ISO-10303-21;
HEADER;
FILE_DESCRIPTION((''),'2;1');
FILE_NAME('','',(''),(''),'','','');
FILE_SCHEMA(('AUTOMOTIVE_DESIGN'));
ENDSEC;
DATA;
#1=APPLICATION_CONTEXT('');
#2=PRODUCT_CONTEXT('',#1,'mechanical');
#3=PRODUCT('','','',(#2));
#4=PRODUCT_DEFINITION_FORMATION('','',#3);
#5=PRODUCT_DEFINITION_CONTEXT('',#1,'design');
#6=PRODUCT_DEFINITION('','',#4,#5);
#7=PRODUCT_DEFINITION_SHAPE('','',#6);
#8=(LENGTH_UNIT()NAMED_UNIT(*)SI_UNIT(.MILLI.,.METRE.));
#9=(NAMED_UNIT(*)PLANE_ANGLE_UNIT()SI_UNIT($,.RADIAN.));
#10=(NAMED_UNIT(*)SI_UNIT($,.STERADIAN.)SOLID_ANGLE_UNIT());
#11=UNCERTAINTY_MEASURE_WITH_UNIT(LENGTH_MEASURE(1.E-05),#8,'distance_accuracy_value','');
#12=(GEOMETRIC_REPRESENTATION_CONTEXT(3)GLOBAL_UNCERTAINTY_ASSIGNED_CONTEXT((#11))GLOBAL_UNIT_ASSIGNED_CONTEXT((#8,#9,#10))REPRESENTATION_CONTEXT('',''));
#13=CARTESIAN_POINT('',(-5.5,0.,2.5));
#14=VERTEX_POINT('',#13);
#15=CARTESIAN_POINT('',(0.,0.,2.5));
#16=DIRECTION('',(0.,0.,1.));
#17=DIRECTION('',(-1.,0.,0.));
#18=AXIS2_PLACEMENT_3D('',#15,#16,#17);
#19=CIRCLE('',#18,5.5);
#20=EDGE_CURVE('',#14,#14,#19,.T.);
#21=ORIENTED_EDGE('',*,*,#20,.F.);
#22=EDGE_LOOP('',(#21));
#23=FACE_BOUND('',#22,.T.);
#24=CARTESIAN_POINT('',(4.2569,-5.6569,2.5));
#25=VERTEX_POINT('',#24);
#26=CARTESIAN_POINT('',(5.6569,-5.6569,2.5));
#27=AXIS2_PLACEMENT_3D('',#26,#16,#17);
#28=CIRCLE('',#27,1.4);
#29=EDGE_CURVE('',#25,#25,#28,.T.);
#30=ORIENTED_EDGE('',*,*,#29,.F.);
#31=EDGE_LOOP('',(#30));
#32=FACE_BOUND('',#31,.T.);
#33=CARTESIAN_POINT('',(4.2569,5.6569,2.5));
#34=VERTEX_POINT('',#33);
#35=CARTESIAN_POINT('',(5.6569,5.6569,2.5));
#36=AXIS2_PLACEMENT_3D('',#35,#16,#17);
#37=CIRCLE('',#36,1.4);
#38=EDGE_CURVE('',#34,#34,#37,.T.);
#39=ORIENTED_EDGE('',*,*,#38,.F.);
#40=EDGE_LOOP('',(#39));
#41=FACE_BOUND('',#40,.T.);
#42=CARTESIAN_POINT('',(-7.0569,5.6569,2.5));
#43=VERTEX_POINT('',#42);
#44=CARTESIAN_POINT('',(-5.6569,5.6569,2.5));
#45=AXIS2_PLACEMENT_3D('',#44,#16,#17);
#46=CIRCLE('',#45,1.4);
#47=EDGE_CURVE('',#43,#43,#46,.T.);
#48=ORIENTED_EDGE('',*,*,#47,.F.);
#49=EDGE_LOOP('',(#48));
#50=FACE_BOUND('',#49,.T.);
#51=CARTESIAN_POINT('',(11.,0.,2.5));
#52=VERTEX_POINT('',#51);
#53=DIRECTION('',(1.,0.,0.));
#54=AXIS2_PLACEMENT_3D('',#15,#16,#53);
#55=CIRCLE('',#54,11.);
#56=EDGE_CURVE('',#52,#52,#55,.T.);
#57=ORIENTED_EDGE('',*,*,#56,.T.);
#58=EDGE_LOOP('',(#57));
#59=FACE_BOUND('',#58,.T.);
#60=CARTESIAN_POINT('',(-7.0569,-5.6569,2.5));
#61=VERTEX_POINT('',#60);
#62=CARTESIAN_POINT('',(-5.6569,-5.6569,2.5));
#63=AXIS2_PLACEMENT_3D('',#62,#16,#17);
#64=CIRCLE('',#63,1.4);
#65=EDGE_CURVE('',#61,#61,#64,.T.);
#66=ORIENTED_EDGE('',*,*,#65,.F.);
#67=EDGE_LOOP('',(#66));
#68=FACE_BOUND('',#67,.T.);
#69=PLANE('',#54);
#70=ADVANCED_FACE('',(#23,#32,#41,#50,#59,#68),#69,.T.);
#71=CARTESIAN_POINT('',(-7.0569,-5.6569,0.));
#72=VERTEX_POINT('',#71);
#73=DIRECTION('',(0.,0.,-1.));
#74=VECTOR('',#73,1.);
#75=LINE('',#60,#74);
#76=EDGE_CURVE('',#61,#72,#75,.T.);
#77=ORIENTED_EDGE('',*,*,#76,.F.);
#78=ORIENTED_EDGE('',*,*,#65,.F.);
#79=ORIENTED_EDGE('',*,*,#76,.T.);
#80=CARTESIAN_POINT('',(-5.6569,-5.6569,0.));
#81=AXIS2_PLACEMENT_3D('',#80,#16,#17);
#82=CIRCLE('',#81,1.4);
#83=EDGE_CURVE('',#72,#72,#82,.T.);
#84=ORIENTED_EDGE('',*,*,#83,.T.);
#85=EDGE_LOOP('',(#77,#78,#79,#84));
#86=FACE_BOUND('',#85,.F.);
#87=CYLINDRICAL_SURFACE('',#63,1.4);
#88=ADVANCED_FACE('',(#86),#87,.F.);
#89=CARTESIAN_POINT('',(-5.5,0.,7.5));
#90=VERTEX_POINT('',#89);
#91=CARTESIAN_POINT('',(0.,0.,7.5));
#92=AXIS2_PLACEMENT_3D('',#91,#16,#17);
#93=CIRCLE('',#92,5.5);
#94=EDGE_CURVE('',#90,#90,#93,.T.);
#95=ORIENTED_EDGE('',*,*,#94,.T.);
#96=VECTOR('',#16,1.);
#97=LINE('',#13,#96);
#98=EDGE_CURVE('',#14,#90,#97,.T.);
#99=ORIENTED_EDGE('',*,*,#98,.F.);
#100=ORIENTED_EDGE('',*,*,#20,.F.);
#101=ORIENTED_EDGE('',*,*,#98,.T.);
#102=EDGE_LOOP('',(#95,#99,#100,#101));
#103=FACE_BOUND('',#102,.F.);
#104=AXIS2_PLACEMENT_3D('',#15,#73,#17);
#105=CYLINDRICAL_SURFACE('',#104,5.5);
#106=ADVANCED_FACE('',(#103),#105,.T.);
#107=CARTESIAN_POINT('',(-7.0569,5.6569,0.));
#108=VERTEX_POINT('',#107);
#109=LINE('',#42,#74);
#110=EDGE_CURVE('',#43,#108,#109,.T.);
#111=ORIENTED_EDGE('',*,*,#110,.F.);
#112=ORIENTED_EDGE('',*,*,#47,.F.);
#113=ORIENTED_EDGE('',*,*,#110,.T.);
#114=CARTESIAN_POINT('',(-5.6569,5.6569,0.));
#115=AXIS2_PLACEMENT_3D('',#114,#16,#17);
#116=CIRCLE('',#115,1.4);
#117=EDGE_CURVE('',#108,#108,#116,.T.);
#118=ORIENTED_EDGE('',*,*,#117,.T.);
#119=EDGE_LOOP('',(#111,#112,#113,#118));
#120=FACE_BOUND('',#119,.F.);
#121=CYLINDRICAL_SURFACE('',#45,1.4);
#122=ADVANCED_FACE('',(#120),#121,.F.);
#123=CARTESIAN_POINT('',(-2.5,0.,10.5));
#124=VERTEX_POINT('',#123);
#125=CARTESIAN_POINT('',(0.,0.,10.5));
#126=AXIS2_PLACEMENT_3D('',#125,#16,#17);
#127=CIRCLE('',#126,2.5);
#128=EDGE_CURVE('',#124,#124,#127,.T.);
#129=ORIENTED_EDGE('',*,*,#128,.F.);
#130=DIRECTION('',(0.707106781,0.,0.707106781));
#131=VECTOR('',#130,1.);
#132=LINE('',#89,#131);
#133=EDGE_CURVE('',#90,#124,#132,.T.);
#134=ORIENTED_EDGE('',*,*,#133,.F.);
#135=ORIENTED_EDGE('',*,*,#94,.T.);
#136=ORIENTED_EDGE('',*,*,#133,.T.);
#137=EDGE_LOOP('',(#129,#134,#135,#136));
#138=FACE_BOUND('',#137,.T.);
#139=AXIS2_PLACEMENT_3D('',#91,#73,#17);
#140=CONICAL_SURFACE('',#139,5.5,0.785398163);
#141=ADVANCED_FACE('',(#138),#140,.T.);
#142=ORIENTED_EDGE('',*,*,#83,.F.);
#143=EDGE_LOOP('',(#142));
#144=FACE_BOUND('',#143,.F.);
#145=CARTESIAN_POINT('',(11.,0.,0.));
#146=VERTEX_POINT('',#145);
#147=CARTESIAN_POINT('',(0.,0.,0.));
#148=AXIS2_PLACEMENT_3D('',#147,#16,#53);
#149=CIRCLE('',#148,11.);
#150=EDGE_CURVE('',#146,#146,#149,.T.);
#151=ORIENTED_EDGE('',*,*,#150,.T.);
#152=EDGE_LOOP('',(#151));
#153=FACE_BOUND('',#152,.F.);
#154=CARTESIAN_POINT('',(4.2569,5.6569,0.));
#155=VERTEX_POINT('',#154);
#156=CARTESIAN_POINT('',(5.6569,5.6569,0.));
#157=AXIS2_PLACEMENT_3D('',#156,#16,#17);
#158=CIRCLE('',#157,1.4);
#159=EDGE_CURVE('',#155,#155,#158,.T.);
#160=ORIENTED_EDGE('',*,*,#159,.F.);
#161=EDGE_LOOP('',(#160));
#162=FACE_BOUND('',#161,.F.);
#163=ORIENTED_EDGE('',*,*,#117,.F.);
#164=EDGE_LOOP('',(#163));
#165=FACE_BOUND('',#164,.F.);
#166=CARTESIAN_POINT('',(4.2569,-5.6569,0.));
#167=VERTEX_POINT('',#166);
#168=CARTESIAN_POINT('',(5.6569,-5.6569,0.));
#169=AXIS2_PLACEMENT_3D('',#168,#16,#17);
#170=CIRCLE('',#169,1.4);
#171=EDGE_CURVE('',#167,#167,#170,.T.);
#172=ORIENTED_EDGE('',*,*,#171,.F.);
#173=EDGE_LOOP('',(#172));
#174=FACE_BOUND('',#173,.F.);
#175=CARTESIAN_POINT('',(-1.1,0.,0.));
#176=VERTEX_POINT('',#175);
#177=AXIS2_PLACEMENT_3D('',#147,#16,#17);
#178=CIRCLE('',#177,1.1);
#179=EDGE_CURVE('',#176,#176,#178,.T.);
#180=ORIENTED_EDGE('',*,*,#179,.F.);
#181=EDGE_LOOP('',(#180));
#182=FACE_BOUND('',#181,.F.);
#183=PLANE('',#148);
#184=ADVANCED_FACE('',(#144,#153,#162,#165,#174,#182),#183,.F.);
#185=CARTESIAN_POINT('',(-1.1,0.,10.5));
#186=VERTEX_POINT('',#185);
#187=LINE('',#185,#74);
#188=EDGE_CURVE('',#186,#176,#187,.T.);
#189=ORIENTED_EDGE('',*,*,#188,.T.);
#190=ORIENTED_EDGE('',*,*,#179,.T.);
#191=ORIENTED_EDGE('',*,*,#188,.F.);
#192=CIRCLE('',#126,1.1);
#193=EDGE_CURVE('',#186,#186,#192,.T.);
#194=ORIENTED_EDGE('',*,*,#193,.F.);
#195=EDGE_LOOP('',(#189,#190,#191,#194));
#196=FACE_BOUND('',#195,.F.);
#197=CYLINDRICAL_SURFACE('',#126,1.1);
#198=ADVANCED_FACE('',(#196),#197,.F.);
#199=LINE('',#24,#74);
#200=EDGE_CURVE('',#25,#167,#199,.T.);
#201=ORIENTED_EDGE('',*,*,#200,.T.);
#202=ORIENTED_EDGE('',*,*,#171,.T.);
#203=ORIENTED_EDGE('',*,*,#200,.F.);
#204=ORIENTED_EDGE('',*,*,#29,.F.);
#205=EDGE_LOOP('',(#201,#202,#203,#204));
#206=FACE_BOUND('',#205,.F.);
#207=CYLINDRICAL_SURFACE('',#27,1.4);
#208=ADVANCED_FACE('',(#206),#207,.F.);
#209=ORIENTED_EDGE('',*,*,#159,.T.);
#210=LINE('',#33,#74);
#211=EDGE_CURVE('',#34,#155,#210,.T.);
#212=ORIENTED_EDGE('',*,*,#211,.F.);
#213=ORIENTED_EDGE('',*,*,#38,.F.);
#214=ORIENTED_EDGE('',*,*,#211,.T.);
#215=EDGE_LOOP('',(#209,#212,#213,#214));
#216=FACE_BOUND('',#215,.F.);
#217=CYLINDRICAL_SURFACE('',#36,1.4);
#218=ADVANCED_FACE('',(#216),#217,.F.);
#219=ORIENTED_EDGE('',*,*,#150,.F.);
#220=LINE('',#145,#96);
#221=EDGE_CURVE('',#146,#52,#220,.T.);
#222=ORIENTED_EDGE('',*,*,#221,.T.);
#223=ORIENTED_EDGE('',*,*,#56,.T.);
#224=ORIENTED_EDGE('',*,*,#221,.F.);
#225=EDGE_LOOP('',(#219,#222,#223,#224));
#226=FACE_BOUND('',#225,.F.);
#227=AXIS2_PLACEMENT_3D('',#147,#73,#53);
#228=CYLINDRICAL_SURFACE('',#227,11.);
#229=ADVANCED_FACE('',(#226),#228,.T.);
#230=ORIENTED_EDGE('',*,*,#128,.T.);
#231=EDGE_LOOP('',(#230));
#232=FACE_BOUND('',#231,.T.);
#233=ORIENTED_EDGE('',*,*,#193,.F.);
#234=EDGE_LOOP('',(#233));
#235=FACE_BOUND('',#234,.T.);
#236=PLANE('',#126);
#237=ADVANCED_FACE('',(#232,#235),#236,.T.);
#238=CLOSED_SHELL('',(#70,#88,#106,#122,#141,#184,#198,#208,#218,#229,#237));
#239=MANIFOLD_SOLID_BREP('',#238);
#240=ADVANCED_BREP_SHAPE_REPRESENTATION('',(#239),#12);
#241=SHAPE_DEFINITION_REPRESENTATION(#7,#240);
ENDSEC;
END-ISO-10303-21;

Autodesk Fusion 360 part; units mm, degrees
sketch "Sketch1" plane through (0, 0, 0) normal (0, 0, 1) x (1, 0, 0)
  circle A0 centre (0, 0) radius 11
  dimension "d1" = 22
extrude "Extrude1" add sketch "Sketch1" along normal blind 2.5
sketch "Sketch2" plane through (0, 0, 2.5) normal (0, 0, 1) x (-1, 0, 0)
  circle A0 centre (0, 0) radius 11
  circle A1 centre (0, 0) radius 5.5
  dimension "d4" = 11
extrude "Extrude2" add sketch "Sketch2" along normal blind 8 contours A1
sketch "Sketch3" plane through (0, 0, 2.5) normal (0, 0, 1) x (-1, 0, 0)
  circle A0 centre (0, 0) radius 5.5
  circle A1 centre (0, 0) radius 11
  circle A2 centre (5.6569, -5.6569) radius 1.4
  circle A3 centre (5.6569, 5.6569) radius 1.4
  circle A4 centre (-5.6569, 5.6569) radius 1.4
  circle A5 centre (-5.6569, -5.6569) radius 1.4
  line L0 (0, 0) -> (7.7782, -7.7782) construction
  line L1 (0, 0) -> (11, 0) construction
  dimension "d7" = 2.8
  dimension "d8" = 8
  dimension "d10" = 360
  dimension "d27" = 45
extrude "Extrude3" cut sketch "Sketch3" against normal through all contours A2 | A3 | A4 | A5
sketch "Sketch4" plane through (0, 0, 10.5) normal (0, 0, 1) x (-1, 0, 0)
  circle A0 centre (0, 0) radius 5.5
  circle A1 centre (0, 0) radius 1.1
  dimension "d12" = 2.2
extrude "Extrude4" cut sketch "Sketch4" against normal through all contours A1
chamfer "Chamfer1" distance 3 angle 45 1 edges at (5.1278, 1.9889, 10.5)
